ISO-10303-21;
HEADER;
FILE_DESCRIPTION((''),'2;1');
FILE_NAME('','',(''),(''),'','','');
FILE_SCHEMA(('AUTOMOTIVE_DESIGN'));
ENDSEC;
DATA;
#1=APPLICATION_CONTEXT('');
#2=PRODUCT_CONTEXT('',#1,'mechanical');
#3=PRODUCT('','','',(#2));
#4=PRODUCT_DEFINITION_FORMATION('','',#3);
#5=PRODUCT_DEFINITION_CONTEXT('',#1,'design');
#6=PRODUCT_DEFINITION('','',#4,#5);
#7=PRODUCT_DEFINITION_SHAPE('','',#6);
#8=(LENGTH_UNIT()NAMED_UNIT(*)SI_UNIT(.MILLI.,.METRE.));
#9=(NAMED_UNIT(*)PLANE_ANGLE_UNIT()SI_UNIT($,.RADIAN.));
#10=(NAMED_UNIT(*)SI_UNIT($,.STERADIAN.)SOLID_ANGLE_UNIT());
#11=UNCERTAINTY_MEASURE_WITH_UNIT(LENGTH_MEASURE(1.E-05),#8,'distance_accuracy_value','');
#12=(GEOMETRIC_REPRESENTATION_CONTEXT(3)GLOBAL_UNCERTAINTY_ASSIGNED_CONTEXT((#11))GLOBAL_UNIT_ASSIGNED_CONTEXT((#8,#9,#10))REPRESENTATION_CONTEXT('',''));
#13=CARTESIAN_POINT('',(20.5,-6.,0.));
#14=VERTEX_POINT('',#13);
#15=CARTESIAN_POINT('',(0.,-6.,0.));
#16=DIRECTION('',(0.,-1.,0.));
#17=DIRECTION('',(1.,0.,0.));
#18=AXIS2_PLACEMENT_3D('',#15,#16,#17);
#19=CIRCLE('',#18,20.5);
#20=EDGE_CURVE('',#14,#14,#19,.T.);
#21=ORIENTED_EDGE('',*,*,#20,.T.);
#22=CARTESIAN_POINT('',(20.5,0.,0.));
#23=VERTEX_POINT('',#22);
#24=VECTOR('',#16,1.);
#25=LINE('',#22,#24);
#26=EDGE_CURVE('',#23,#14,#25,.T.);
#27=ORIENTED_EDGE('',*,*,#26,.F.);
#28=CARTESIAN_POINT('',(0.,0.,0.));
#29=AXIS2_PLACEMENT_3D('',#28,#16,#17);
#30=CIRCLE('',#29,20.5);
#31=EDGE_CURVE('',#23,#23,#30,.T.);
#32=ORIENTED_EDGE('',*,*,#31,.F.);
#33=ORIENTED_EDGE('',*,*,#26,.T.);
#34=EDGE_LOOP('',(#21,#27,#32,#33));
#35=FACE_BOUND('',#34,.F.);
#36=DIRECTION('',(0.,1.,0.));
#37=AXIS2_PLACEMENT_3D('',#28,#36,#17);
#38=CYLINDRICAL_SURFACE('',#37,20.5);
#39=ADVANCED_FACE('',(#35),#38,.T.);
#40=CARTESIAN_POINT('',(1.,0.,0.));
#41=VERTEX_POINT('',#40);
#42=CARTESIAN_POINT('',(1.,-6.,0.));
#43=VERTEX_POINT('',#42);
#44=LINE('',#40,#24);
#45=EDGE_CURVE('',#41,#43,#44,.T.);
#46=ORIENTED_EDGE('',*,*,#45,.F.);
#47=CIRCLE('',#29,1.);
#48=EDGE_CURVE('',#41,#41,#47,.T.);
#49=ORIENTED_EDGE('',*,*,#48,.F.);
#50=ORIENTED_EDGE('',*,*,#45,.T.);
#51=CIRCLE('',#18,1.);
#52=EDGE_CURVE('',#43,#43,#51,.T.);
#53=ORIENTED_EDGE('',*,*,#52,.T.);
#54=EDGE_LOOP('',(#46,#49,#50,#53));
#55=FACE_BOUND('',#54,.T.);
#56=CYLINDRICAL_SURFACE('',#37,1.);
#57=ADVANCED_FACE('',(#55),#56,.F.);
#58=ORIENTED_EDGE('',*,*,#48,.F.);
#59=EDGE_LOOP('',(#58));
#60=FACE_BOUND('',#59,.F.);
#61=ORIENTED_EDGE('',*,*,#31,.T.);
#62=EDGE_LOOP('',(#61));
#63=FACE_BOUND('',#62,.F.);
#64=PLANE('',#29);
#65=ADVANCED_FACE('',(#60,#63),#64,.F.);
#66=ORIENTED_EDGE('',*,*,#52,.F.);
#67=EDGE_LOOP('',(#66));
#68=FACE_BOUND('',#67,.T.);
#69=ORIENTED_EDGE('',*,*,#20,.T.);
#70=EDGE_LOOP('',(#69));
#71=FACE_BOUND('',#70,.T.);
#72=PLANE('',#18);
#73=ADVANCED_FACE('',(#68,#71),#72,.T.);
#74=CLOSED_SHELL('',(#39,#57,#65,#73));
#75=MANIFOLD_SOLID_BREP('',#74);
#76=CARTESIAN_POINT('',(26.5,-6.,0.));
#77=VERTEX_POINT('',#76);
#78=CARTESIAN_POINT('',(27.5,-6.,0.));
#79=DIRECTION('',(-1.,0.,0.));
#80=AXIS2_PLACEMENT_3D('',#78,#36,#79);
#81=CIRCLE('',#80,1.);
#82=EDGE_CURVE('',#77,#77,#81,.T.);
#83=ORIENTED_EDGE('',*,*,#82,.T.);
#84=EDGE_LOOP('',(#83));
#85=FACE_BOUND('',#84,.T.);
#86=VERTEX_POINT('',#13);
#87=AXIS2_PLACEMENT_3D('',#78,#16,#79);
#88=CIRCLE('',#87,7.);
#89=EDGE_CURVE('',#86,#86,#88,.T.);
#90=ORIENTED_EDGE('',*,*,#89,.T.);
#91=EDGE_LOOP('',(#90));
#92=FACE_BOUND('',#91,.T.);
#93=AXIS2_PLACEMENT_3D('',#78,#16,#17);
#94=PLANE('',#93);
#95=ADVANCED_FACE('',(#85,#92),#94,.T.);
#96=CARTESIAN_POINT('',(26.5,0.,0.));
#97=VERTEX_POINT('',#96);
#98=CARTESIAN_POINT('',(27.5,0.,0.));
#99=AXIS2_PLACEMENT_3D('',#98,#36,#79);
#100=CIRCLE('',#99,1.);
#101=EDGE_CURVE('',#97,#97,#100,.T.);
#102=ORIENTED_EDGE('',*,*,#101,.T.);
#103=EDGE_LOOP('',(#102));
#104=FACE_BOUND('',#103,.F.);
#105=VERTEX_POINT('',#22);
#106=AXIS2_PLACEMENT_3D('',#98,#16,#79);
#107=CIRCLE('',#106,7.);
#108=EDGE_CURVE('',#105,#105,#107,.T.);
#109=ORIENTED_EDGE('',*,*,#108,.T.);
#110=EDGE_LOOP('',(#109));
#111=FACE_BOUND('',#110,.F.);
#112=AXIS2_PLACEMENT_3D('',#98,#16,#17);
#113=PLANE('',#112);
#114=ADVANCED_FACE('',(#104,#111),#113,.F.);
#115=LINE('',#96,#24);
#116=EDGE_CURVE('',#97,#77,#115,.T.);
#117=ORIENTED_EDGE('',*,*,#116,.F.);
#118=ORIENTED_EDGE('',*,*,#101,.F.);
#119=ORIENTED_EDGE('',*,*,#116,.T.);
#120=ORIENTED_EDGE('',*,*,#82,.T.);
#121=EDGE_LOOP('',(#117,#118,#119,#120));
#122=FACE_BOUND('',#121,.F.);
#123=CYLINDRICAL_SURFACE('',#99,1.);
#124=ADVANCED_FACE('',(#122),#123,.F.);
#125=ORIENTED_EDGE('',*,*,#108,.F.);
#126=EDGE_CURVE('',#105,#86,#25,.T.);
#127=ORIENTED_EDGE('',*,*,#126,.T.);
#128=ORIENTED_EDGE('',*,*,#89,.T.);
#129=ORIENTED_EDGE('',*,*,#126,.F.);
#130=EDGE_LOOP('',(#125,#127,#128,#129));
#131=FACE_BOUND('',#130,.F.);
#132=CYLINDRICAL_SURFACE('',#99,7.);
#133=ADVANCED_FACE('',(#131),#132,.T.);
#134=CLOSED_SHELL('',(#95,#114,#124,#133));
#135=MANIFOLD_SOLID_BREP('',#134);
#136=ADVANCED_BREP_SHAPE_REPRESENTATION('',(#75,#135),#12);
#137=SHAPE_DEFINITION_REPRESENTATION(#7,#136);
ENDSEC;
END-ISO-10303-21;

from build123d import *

# Parameters (mm, degrees)
F0_R     = 20.5
F0_R_2   = 1
F1_DEPTH = 6
F2_DEPTH = 6


with BuildPart() as f1:
    # F0 (on Front) → F1 (new body)
    with BuildSketch(Plane.XZ):
        Circle(F0_R)
        Circle(F0_R_2, mode=Mode.SUBTRACT)
    extrude(amount=F1_DEPTH)

    # F0 (on Front) → F2 (join)
    with BuildSketch(Plane.XZ):
        with BuildLine():
            ThreePointArc((34.5, 0), (27.5, 7), (20.5, 0))
            ThreePointArc((20.5, 0), (27.5, -7), (34.5, 0))
        make_face()
        with BuildLine():
            ThreePointArc((28.5, 0), (27.5, -1), (26.5, 0))
            ThreePointArc((26.5, 0), (27.5, 1), (28.5, 0))
        make_face(mode=Mode.SUBTRACT)
    extrude(amount=F2_DEPTH)


solid = f1.part
